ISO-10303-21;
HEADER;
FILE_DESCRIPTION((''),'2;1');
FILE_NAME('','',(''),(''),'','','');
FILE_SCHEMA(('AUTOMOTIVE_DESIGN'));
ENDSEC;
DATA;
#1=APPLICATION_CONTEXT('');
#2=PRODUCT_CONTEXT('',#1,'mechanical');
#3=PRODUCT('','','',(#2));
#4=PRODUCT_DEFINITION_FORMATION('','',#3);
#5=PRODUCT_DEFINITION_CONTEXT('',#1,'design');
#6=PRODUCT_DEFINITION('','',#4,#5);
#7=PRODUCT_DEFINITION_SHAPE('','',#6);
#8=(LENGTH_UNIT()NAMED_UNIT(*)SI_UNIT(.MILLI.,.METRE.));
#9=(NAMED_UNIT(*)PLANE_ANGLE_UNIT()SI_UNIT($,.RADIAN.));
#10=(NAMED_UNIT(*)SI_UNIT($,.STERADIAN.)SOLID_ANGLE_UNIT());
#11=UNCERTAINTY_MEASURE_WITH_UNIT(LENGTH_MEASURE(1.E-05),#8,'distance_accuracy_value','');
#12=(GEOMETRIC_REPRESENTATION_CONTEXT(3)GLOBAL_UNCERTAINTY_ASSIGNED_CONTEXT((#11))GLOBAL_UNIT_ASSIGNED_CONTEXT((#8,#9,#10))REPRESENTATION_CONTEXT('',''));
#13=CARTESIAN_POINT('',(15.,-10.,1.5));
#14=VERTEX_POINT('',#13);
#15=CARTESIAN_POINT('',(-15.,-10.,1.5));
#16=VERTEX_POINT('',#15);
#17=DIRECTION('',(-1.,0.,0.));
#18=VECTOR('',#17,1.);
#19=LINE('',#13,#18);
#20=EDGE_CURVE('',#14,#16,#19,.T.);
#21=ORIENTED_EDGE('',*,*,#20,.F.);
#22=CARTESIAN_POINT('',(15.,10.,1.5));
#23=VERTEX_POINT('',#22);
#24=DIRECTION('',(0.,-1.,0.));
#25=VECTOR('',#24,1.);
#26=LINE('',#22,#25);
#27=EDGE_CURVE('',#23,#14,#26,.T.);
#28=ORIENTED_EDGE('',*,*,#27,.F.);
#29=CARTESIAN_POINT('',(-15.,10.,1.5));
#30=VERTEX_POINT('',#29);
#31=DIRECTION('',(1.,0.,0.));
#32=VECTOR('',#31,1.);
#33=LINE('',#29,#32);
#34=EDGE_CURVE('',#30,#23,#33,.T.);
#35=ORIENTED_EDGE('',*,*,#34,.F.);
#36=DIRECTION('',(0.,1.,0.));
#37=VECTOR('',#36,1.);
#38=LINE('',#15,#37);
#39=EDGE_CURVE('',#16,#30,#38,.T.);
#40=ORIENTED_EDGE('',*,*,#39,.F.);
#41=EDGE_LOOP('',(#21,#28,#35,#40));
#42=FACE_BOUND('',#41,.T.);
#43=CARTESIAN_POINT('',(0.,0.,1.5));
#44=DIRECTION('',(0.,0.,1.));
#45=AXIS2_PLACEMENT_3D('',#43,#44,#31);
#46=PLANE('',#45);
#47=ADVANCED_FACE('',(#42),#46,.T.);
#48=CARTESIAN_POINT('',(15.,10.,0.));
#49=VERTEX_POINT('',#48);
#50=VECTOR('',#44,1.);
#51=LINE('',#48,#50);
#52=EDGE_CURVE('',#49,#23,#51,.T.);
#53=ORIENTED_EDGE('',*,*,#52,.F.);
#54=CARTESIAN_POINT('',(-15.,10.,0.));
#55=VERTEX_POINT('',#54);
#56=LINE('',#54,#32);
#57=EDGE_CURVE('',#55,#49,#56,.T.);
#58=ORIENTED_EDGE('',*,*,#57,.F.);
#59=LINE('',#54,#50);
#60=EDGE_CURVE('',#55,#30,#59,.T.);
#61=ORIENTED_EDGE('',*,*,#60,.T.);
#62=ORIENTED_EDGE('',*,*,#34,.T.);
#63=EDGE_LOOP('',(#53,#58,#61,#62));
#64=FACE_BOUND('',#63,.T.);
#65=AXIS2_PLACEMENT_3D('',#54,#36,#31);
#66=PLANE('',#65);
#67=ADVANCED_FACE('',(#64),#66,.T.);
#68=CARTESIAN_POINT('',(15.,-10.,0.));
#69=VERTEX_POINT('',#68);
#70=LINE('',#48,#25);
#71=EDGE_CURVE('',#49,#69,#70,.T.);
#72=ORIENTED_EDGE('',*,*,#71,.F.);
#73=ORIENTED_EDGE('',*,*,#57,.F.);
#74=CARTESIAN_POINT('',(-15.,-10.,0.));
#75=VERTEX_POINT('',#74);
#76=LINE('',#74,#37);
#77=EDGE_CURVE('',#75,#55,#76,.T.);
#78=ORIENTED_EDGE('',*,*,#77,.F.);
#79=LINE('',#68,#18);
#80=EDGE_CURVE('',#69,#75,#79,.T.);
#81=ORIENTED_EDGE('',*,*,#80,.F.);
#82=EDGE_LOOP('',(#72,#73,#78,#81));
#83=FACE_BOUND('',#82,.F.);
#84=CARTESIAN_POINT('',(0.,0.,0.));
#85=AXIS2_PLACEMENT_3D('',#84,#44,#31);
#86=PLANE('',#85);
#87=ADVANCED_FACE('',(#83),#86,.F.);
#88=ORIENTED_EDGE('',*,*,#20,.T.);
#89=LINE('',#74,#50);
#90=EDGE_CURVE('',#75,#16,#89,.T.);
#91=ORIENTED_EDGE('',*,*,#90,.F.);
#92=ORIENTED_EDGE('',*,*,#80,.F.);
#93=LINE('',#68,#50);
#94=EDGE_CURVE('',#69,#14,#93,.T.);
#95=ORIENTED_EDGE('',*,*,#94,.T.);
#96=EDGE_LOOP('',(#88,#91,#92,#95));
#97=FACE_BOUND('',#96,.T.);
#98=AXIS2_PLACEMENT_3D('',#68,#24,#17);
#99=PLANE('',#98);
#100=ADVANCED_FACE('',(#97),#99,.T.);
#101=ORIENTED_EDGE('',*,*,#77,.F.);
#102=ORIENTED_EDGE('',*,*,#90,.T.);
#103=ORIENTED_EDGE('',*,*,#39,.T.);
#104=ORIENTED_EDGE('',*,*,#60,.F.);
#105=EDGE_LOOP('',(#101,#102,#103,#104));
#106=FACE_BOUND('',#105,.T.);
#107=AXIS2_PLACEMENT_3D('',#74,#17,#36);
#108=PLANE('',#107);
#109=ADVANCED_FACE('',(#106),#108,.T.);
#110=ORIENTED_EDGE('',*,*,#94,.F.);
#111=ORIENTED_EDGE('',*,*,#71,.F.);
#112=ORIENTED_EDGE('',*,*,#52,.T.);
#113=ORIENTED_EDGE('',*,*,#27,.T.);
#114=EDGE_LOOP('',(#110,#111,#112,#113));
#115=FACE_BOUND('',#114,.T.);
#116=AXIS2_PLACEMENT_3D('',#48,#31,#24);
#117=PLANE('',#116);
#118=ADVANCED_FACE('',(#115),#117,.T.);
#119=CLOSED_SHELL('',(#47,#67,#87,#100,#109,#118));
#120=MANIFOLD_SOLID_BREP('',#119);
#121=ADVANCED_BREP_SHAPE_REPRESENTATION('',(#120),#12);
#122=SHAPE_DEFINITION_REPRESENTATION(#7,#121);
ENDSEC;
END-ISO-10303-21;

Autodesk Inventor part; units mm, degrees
ref_plane "YZ Plane" through (0, 0, 0) normal (1, 0, 0) x (0, 1, 0)
ref_plane "XZ Plane" through (0, 0, 0) normal (0, 1, 0) x (-1, 0, 0)
ref_plane "XY Plane" through (0, 0, 0) normal (0, 0, 1) x (1, 0, 0)
sketch "Sketch1" plane through (0, 0, 0) normal (0, 0, 1) x (1, 0, 0)
  line L0 (-15, 10) -> (15, 10)
  line L1 (15, 10) -> (15, -10)
  line L2 (15, -10) -> (-15, -10)
  line L3 (-15, -10) -> (-15, 10)
  point P0 (0, 0)
  dimension "d0" = 20
  dimension "d1" = 10
  dimension "d2" = 30
  dimension "d3" = 15
extrude "Extrusion1" add sketch "Sketch1" along normal blind 1.5
equation "\"d1\" = 0.5 * d0"
equation "\"d3\" = 0.5 * d2"
properties part number "filipeTestSample"
